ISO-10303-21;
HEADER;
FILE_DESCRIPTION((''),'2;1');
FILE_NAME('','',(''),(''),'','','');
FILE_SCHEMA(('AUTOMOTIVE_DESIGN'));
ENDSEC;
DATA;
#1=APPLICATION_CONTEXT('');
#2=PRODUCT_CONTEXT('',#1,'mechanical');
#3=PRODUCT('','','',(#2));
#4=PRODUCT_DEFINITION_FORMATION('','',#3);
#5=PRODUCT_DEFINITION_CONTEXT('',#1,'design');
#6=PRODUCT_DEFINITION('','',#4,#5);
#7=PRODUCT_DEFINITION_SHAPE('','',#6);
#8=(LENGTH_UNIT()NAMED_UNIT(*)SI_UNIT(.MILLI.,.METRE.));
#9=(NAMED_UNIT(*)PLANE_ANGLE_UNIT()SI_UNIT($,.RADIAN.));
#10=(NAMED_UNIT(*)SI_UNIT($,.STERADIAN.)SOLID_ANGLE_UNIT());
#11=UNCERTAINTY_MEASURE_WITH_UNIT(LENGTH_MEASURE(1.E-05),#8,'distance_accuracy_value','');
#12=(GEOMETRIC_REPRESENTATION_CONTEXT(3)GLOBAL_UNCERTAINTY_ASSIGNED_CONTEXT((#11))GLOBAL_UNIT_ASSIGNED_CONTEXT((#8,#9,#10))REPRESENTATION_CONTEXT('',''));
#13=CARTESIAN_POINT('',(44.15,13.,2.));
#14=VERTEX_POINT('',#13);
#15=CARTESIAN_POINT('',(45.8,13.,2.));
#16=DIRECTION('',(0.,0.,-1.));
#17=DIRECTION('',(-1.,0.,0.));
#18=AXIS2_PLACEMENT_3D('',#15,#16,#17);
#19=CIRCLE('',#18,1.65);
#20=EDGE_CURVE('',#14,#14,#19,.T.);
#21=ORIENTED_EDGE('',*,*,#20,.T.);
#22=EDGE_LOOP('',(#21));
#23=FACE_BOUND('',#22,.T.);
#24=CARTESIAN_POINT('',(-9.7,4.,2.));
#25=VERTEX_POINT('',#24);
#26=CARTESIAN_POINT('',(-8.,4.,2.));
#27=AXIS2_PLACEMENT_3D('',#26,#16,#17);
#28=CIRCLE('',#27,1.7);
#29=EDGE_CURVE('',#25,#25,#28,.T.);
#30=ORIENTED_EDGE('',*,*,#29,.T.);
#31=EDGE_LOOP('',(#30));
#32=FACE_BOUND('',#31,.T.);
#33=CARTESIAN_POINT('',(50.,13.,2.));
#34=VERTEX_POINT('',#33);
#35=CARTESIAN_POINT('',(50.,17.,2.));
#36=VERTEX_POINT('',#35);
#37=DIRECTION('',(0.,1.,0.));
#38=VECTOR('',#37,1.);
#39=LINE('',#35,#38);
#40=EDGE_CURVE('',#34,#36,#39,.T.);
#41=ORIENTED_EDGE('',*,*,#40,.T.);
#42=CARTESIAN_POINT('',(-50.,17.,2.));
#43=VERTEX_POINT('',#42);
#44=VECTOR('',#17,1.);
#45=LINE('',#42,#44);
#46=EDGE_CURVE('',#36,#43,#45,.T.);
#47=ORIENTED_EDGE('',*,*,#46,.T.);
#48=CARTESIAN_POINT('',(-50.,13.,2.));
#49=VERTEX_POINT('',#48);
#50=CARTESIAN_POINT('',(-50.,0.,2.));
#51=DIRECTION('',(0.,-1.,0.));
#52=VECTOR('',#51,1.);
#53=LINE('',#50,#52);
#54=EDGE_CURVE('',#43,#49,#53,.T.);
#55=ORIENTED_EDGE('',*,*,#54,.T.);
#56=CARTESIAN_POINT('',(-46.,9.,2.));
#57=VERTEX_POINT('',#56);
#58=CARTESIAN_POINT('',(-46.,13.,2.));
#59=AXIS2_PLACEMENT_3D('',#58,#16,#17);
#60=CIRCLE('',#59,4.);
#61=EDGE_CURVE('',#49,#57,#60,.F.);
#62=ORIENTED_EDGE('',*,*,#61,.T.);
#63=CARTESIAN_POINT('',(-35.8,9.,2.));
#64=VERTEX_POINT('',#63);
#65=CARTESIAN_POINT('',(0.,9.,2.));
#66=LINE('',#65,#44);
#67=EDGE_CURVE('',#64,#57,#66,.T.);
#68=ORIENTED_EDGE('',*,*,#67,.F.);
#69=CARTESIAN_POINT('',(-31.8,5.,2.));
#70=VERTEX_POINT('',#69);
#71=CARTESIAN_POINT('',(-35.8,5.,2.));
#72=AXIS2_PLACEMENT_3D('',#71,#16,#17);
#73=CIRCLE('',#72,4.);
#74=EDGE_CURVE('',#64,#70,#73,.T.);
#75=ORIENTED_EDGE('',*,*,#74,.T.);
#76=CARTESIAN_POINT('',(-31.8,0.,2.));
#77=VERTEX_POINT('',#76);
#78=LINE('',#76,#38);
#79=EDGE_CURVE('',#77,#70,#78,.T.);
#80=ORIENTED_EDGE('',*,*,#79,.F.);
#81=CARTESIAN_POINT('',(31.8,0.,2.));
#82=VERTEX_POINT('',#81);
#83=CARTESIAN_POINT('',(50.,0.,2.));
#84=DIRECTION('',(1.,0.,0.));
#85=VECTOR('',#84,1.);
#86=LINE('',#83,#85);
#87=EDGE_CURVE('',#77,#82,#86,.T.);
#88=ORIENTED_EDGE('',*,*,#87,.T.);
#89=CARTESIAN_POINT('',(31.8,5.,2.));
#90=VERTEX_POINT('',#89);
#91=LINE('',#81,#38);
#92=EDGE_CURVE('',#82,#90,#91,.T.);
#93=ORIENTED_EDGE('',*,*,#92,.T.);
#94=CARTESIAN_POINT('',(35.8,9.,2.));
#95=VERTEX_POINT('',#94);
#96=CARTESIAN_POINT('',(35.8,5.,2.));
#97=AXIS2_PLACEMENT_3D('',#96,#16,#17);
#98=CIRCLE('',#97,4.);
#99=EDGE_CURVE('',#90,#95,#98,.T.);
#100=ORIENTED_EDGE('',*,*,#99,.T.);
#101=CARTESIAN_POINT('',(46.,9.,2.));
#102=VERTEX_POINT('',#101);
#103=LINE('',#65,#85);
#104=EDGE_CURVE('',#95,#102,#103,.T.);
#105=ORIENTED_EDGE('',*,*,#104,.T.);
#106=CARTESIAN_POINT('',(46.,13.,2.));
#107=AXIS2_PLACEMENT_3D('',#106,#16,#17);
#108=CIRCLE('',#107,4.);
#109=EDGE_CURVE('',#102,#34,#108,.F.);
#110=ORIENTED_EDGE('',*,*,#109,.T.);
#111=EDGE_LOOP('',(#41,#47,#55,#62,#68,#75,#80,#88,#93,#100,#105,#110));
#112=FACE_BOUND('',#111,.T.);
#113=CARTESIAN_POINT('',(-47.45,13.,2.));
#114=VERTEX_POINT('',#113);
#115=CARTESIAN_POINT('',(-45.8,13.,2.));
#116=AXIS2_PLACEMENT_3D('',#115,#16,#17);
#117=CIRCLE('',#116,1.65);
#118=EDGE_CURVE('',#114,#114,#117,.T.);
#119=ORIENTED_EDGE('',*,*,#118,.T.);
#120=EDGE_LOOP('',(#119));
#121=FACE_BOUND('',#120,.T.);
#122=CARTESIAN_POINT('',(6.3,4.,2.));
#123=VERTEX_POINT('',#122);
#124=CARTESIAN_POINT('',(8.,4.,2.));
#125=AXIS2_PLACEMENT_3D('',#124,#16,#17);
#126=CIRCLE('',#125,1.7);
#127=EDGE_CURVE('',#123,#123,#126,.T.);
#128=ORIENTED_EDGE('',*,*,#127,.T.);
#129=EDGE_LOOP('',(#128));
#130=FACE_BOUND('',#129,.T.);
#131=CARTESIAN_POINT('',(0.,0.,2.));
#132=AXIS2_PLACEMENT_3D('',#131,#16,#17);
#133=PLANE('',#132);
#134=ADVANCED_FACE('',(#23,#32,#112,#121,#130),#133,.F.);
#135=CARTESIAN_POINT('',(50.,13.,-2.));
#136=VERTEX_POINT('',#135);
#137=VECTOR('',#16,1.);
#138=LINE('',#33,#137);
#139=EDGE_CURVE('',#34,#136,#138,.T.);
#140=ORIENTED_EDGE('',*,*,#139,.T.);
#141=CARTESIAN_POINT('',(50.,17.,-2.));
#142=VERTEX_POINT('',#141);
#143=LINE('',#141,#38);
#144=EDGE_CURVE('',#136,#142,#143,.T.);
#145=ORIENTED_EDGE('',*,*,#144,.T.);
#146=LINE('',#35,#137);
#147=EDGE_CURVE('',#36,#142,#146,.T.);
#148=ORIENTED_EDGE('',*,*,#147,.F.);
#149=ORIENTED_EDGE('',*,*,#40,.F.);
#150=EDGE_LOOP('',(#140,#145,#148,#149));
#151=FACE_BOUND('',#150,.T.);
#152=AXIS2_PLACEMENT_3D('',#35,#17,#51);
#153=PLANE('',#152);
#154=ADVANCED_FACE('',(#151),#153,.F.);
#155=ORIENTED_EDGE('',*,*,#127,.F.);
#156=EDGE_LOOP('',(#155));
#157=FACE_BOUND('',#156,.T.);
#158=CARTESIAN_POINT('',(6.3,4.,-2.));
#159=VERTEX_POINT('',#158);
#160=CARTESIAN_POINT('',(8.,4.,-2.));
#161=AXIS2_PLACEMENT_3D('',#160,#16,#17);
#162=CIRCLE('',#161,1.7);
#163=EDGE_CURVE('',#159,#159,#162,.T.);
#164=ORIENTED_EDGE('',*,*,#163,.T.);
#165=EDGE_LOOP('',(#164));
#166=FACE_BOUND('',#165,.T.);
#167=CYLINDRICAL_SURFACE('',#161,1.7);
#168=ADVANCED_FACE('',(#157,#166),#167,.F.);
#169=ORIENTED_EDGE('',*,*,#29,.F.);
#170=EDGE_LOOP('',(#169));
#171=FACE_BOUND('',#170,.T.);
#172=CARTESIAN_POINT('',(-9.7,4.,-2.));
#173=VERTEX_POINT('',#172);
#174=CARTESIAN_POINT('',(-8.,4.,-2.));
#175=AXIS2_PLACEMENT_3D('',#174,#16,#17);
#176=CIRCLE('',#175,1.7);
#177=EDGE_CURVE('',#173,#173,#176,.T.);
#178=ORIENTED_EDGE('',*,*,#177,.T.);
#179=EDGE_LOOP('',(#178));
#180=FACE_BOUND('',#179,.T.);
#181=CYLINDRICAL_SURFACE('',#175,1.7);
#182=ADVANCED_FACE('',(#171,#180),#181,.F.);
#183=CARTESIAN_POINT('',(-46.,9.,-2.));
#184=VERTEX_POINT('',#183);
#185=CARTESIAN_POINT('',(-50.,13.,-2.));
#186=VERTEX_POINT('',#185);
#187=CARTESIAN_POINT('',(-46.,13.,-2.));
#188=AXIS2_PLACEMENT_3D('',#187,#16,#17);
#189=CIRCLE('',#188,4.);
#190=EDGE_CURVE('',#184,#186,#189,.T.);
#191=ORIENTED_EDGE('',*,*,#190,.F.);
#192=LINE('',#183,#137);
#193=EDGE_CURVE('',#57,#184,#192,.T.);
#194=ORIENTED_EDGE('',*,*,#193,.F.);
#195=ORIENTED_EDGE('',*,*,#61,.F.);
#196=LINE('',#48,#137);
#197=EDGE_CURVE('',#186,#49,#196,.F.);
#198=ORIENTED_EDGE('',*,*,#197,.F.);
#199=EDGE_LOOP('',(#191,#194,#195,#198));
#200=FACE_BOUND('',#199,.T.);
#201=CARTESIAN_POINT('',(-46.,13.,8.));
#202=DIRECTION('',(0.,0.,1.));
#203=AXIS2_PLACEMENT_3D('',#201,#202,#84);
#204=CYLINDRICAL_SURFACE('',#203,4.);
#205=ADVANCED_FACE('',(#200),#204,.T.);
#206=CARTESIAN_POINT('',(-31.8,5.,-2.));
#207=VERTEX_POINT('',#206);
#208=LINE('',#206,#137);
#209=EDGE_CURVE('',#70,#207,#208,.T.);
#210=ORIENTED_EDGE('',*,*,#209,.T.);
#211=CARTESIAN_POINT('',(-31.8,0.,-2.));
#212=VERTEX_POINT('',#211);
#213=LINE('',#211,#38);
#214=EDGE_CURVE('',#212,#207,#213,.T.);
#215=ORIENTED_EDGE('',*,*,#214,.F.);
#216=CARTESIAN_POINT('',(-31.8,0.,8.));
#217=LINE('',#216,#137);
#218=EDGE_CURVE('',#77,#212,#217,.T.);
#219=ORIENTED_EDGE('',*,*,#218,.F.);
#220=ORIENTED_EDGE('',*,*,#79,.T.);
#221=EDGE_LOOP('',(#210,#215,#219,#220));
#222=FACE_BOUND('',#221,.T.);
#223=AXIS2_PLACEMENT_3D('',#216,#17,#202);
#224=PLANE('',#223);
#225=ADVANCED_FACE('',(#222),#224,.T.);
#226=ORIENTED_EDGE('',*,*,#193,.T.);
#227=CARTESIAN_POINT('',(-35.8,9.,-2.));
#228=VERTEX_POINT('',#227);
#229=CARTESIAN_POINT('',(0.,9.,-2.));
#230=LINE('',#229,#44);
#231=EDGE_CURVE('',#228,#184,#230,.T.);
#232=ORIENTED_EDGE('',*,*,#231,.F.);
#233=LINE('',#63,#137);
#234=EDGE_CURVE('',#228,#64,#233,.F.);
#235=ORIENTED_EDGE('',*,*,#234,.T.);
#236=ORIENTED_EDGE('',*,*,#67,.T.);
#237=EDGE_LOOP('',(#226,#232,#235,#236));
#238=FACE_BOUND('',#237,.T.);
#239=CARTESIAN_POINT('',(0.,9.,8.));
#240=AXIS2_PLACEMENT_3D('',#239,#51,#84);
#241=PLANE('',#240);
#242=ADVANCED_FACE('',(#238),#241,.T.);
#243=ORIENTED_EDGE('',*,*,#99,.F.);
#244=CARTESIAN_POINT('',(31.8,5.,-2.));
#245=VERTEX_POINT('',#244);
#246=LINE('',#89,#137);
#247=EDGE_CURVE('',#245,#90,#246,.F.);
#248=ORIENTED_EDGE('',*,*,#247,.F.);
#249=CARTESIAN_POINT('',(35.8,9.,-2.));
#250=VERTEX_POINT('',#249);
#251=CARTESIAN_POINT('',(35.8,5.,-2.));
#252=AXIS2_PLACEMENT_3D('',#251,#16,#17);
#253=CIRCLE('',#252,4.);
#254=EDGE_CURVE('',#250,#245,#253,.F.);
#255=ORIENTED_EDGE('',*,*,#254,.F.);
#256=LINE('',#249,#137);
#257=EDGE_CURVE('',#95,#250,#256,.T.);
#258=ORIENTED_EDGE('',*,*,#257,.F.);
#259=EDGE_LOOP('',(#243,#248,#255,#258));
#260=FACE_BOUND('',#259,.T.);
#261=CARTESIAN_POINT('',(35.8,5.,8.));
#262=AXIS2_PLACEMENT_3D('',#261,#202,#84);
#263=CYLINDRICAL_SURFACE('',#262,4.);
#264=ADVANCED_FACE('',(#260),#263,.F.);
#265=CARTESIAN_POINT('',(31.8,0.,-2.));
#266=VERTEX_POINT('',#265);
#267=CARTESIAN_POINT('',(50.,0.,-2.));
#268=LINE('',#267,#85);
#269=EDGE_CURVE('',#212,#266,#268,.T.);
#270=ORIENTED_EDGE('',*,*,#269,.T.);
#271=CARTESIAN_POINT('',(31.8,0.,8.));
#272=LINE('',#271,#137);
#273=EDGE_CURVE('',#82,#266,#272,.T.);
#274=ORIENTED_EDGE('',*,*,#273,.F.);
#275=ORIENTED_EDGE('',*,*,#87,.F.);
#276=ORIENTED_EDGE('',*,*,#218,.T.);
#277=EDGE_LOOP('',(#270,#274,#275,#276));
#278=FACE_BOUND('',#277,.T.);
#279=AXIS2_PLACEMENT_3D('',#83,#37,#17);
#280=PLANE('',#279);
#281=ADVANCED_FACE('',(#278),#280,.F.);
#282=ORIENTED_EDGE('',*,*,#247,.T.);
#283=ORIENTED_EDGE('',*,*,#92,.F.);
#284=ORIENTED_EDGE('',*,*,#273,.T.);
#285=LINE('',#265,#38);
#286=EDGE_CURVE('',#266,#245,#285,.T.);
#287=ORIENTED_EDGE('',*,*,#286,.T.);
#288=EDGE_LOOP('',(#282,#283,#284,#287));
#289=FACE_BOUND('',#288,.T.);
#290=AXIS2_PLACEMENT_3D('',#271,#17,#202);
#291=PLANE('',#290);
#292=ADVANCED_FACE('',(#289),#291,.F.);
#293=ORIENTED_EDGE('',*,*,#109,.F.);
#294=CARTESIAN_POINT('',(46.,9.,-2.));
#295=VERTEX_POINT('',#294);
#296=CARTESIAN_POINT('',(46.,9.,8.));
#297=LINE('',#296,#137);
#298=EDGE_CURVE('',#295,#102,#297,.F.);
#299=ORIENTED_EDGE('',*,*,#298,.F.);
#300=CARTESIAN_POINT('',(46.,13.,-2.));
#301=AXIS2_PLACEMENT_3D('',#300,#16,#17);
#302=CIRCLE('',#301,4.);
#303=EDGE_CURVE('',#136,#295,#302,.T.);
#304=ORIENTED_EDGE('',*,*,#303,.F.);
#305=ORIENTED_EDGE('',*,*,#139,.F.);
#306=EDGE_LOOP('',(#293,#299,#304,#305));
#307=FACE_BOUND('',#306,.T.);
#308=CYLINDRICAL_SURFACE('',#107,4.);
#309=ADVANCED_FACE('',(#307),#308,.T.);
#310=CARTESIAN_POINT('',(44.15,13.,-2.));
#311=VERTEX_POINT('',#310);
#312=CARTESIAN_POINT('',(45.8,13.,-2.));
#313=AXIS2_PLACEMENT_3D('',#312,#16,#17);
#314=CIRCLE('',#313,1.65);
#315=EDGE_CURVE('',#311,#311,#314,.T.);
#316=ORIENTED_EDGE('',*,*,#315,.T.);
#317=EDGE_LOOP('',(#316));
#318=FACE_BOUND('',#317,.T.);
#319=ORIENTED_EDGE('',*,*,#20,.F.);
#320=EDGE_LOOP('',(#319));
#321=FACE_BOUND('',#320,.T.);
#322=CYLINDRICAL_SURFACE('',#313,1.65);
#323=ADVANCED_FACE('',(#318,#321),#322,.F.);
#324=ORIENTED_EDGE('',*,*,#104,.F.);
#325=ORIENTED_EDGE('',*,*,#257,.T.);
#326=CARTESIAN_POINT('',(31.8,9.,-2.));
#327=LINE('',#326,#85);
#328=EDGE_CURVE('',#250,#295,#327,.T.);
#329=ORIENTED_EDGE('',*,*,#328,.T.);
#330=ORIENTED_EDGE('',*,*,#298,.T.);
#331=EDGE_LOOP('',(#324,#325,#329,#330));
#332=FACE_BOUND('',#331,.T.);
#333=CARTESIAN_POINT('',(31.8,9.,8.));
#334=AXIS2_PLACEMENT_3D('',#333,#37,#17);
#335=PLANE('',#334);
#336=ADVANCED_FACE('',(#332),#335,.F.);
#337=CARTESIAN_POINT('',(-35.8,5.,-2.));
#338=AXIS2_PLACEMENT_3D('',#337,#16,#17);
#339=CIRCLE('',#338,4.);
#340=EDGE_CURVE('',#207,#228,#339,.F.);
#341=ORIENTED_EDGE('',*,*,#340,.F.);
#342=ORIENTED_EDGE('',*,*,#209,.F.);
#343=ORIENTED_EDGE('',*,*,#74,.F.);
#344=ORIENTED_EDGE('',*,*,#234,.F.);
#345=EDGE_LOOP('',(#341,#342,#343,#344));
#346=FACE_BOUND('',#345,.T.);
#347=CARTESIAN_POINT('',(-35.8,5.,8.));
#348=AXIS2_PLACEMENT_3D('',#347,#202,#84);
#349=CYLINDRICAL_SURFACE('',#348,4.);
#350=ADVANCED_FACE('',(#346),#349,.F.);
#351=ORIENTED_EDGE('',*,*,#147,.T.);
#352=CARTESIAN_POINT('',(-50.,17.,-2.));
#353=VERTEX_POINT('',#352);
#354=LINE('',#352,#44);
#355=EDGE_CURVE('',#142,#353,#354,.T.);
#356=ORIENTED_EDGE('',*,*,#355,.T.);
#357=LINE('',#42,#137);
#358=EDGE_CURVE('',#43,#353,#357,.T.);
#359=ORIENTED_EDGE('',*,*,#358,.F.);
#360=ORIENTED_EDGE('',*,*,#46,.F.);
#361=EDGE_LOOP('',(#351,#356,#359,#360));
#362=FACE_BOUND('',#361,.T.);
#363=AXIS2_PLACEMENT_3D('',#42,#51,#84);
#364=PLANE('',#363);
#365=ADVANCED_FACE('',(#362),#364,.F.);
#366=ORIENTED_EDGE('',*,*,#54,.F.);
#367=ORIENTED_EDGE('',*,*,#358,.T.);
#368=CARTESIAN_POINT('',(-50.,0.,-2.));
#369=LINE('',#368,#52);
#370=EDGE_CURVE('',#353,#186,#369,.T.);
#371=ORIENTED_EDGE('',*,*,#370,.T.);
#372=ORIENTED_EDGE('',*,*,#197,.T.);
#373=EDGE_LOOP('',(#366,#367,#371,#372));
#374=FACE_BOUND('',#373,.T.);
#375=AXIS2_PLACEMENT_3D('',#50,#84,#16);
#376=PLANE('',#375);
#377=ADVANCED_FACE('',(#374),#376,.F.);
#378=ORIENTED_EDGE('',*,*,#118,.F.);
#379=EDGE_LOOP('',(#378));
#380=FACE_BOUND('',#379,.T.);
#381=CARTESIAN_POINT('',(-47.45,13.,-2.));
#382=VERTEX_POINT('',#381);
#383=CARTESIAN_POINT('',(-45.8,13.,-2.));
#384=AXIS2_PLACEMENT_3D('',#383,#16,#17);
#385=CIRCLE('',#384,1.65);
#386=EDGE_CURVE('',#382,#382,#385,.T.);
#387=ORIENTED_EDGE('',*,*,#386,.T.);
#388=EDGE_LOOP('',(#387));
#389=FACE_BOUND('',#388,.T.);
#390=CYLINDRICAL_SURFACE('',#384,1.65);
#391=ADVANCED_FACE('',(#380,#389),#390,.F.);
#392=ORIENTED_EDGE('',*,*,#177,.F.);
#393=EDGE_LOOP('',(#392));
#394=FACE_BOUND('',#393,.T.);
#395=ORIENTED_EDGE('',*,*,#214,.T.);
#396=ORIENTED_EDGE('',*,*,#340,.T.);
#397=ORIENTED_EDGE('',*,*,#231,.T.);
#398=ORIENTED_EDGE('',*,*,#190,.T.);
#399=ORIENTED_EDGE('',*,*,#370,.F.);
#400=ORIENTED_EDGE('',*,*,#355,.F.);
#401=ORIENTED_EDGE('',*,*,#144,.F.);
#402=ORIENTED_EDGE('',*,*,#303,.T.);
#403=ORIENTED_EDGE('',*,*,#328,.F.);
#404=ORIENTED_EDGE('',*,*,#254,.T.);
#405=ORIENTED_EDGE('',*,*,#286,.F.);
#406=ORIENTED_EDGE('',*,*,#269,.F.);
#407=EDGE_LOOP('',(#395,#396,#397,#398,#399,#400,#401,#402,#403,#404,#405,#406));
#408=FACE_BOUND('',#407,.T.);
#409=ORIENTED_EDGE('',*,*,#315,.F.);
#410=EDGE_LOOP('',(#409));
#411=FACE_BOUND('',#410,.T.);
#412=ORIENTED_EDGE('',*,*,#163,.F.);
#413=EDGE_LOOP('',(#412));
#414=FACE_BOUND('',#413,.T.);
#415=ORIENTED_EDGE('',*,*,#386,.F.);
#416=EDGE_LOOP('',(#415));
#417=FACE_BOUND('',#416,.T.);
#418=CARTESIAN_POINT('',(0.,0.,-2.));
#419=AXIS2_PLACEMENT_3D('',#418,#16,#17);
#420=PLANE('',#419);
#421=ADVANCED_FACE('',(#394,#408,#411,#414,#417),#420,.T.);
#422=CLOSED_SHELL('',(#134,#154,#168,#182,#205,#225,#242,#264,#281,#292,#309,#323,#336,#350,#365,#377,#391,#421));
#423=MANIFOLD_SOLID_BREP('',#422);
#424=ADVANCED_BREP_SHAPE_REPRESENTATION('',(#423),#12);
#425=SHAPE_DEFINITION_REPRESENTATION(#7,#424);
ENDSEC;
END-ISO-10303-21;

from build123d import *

# Parameters (mm, degrees)
SKETCH2_W             = 100
SKETCH2_H             = 17
BASE_DEPTH            = 2
M3_CLEARANCE_HOLE1_D  = 3.4
M4X0_7_TAPPED_HOLE1_D = 3.3
SKETCH9_W             = 18.2
SKETCH9_H             = 9
CUT_EXTRUDE1_DEPTH    = 10
FILLET3_R             = 4


with BuildPart() as part:
    # Sketch2 → Base (new body, symmetric)
    with BuildSketch(Plane.XY):
        with Locations((0, 8.5)):
            Rectangle(SKETCH2_W, SKETCH2_H)
    extrude(amount=BASE_DEPTH, both=True)

    # M3 Clearance Hole1 (through all)
    with Locations(Plane(origin=(0, 4, -2), x_dir=(1, 0, 0), z_dir=(0, 0, -1))):
        with Locations((-8, 0), (8, 0)):
            Hole(M3_CLEARANCE_HOLE1_D / 2)

    # M4x0.7 Tapped Hole1 (through all)
    with Locations(Plane(origin=(0, 0, -2), x_dir=(-1, 0, 0), z_dir=(0, 0, -1))):
        with Locations((-45.8, 13), (45.8, 13)):
            Hole(M4X0_7_TAPPED_HOLE1_D / 2)

    # Sketch9 → Cut-Extrude1 (cut)
    with BuildSketch(Plane(origin=(0, 0, -2), x_dir=(-1, 0, 0), z_dir=(0, 0, -1))):
        with Locations((40.9, 4.5)):
            Rectangle(SKETCH9_W, SKETCH9_H)
        with Locations((-40.9, 4.5)):
            Rectangle(SKETCH9_W, SKETCH9_H)
    extrude(amount=-CUT_EXTRUDE1_DEPTH, mode=Mode.SUBTRACT)

    # Fillet3
    fillet3_edges = [part.edges().sort_by_distance(p)[0] for p in [
        (-31.8, 9, 0),
        (-50, 9, 0),
        (50, 9, 0),
        (31.8, 9, 0),
    ]]
    fillet(fillet3_edges, radius=FILLET3_R)


solid = part.part
